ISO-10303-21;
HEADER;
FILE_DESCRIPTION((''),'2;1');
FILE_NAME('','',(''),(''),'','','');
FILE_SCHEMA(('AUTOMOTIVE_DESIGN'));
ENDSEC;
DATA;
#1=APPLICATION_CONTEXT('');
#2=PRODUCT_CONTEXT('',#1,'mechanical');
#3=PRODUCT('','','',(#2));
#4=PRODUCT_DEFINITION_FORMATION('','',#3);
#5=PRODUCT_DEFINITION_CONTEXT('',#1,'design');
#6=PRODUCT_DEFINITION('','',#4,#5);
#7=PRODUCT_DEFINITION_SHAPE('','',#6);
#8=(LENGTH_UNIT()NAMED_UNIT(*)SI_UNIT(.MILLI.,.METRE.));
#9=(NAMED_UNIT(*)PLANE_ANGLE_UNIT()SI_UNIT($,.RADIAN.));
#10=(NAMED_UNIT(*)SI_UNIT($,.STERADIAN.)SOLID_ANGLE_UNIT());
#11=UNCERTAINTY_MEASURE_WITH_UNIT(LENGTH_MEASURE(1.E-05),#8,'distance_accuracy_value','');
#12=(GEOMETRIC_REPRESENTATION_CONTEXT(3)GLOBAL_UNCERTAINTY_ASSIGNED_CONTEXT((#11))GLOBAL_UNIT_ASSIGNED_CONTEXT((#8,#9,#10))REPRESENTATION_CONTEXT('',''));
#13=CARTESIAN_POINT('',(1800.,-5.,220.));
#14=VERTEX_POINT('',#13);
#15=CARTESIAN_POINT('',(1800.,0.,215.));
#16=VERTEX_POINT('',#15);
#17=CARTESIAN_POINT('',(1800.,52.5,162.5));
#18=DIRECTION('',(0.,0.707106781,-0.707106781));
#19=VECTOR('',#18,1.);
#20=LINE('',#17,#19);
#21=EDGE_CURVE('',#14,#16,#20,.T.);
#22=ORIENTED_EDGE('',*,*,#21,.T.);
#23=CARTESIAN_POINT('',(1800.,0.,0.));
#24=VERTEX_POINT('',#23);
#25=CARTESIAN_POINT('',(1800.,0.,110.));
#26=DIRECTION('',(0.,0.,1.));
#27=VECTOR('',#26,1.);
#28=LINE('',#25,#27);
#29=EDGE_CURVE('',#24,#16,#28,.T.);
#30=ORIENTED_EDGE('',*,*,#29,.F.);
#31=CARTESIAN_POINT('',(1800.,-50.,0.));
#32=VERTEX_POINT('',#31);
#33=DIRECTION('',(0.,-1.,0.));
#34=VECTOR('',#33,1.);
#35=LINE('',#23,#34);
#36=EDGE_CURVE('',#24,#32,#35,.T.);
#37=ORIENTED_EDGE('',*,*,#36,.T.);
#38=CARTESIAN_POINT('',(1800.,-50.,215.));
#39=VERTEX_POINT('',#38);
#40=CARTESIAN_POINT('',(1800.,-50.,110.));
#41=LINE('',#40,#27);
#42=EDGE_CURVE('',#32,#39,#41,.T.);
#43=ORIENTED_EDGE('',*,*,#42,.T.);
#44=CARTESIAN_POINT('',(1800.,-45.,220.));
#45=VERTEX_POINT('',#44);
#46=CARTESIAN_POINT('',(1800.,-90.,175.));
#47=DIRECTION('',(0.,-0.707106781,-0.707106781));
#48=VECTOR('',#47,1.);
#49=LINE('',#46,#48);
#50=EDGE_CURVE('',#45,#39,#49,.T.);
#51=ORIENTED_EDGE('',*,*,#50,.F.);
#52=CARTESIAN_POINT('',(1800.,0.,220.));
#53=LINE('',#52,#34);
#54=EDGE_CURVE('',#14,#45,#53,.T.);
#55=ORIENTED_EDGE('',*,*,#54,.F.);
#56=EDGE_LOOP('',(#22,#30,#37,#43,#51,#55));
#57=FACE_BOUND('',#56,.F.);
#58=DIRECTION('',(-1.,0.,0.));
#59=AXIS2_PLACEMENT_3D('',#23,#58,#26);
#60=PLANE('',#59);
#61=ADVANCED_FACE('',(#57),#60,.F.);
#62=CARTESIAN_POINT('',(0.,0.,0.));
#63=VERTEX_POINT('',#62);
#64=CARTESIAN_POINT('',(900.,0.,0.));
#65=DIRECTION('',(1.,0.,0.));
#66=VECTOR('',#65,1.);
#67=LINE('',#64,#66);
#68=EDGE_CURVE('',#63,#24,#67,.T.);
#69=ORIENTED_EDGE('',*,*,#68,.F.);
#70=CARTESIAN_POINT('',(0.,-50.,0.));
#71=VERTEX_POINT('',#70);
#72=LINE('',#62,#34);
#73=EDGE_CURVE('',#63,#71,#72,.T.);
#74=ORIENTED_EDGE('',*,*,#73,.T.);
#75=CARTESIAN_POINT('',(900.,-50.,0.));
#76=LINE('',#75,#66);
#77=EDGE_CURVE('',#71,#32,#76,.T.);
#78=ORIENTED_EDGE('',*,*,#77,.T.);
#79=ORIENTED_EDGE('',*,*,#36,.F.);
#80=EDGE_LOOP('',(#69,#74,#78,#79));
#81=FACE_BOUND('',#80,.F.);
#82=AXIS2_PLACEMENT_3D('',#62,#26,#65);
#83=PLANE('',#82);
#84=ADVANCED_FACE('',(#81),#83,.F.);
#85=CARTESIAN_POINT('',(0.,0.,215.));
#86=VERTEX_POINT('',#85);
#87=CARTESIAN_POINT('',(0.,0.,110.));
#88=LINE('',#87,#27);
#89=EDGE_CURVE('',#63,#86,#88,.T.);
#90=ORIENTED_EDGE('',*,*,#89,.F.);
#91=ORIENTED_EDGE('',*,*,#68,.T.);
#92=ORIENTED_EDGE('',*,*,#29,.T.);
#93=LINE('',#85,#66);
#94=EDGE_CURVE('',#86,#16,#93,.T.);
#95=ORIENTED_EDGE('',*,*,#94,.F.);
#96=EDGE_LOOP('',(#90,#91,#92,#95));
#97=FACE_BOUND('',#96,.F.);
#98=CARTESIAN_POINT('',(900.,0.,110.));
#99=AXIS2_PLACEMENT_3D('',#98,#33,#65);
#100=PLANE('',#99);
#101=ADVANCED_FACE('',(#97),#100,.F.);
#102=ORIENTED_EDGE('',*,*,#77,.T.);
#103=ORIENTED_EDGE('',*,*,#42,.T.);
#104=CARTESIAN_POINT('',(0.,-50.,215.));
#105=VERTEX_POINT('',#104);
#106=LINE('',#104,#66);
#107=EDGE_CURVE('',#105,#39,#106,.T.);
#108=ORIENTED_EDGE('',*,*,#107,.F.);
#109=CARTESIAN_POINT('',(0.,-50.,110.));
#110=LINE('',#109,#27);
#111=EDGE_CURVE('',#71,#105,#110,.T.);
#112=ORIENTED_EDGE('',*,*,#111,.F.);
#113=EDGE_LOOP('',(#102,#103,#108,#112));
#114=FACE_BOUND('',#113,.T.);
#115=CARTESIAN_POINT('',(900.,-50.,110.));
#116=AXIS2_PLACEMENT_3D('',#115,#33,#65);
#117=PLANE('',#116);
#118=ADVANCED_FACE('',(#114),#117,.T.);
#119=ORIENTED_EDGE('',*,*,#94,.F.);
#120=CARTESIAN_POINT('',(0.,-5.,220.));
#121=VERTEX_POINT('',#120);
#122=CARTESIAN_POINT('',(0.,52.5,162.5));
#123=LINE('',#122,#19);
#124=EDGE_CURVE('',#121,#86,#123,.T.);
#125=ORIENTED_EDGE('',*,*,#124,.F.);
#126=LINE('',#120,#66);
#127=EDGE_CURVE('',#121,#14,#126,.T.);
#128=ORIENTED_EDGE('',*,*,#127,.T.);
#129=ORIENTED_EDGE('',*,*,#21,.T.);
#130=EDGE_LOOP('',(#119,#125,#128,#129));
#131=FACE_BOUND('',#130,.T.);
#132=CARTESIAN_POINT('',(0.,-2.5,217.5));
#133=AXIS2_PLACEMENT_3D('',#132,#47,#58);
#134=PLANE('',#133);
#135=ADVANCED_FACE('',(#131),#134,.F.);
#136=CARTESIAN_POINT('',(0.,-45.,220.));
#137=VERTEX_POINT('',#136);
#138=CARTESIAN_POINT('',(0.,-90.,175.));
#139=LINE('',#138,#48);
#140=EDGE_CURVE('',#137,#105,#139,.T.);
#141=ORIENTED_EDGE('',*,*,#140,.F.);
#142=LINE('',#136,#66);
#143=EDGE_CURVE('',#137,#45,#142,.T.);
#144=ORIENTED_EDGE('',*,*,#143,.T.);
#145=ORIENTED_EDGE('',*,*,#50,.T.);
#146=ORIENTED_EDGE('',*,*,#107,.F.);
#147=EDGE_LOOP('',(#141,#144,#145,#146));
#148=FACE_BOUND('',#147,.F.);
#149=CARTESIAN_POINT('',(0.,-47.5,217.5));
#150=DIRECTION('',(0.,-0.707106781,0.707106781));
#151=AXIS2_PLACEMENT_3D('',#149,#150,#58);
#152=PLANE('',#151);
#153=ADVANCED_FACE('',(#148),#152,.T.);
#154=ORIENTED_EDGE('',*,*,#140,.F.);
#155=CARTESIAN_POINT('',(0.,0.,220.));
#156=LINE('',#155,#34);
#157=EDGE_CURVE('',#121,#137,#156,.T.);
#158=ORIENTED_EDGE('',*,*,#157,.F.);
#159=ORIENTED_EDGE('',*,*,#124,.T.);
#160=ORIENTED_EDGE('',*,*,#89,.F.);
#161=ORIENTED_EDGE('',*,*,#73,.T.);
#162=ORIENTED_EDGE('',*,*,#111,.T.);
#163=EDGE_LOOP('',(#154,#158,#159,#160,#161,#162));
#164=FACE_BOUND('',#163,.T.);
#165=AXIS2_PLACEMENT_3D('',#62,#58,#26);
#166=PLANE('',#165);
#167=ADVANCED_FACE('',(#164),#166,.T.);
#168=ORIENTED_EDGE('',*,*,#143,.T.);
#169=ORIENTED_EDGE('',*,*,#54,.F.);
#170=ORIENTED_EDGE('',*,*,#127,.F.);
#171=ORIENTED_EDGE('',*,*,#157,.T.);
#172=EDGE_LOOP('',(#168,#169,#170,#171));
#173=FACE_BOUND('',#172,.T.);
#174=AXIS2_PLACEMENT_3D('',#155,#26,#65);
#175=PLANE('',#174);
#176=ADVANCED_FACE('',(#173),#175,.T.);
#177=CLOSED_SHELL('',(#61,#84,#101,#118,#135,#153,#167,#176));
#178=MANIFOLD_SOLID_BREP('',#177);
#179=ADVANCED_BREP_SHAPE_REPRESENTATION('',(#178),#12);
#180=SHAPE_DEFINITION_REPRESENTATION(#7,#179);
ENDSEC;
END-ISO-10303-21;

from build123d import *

# Parameters (mm, degrees)
F0_W     = 1800
F0_H     = 220
F1_DEPTH = 50
F2_SIZE  = 5


with BuildPart() as f1:
    # F0 (on Front) → F1 (new body)
    with BuildSketch(Plane.XZ):
        with Locations((900, 110)):
            Rectangle(F0_W, F0_H)
    extrude(amount=F1_DEPTH)

    # F2
    f2_edges = [f1.edges().sort_by_distance(p)[0] for p in [
        (900, -50, 220),
        (900, 0, 220),
    ]]
    chamfer(f2_edges, length=F2_SIZE)


solid = f1.part
